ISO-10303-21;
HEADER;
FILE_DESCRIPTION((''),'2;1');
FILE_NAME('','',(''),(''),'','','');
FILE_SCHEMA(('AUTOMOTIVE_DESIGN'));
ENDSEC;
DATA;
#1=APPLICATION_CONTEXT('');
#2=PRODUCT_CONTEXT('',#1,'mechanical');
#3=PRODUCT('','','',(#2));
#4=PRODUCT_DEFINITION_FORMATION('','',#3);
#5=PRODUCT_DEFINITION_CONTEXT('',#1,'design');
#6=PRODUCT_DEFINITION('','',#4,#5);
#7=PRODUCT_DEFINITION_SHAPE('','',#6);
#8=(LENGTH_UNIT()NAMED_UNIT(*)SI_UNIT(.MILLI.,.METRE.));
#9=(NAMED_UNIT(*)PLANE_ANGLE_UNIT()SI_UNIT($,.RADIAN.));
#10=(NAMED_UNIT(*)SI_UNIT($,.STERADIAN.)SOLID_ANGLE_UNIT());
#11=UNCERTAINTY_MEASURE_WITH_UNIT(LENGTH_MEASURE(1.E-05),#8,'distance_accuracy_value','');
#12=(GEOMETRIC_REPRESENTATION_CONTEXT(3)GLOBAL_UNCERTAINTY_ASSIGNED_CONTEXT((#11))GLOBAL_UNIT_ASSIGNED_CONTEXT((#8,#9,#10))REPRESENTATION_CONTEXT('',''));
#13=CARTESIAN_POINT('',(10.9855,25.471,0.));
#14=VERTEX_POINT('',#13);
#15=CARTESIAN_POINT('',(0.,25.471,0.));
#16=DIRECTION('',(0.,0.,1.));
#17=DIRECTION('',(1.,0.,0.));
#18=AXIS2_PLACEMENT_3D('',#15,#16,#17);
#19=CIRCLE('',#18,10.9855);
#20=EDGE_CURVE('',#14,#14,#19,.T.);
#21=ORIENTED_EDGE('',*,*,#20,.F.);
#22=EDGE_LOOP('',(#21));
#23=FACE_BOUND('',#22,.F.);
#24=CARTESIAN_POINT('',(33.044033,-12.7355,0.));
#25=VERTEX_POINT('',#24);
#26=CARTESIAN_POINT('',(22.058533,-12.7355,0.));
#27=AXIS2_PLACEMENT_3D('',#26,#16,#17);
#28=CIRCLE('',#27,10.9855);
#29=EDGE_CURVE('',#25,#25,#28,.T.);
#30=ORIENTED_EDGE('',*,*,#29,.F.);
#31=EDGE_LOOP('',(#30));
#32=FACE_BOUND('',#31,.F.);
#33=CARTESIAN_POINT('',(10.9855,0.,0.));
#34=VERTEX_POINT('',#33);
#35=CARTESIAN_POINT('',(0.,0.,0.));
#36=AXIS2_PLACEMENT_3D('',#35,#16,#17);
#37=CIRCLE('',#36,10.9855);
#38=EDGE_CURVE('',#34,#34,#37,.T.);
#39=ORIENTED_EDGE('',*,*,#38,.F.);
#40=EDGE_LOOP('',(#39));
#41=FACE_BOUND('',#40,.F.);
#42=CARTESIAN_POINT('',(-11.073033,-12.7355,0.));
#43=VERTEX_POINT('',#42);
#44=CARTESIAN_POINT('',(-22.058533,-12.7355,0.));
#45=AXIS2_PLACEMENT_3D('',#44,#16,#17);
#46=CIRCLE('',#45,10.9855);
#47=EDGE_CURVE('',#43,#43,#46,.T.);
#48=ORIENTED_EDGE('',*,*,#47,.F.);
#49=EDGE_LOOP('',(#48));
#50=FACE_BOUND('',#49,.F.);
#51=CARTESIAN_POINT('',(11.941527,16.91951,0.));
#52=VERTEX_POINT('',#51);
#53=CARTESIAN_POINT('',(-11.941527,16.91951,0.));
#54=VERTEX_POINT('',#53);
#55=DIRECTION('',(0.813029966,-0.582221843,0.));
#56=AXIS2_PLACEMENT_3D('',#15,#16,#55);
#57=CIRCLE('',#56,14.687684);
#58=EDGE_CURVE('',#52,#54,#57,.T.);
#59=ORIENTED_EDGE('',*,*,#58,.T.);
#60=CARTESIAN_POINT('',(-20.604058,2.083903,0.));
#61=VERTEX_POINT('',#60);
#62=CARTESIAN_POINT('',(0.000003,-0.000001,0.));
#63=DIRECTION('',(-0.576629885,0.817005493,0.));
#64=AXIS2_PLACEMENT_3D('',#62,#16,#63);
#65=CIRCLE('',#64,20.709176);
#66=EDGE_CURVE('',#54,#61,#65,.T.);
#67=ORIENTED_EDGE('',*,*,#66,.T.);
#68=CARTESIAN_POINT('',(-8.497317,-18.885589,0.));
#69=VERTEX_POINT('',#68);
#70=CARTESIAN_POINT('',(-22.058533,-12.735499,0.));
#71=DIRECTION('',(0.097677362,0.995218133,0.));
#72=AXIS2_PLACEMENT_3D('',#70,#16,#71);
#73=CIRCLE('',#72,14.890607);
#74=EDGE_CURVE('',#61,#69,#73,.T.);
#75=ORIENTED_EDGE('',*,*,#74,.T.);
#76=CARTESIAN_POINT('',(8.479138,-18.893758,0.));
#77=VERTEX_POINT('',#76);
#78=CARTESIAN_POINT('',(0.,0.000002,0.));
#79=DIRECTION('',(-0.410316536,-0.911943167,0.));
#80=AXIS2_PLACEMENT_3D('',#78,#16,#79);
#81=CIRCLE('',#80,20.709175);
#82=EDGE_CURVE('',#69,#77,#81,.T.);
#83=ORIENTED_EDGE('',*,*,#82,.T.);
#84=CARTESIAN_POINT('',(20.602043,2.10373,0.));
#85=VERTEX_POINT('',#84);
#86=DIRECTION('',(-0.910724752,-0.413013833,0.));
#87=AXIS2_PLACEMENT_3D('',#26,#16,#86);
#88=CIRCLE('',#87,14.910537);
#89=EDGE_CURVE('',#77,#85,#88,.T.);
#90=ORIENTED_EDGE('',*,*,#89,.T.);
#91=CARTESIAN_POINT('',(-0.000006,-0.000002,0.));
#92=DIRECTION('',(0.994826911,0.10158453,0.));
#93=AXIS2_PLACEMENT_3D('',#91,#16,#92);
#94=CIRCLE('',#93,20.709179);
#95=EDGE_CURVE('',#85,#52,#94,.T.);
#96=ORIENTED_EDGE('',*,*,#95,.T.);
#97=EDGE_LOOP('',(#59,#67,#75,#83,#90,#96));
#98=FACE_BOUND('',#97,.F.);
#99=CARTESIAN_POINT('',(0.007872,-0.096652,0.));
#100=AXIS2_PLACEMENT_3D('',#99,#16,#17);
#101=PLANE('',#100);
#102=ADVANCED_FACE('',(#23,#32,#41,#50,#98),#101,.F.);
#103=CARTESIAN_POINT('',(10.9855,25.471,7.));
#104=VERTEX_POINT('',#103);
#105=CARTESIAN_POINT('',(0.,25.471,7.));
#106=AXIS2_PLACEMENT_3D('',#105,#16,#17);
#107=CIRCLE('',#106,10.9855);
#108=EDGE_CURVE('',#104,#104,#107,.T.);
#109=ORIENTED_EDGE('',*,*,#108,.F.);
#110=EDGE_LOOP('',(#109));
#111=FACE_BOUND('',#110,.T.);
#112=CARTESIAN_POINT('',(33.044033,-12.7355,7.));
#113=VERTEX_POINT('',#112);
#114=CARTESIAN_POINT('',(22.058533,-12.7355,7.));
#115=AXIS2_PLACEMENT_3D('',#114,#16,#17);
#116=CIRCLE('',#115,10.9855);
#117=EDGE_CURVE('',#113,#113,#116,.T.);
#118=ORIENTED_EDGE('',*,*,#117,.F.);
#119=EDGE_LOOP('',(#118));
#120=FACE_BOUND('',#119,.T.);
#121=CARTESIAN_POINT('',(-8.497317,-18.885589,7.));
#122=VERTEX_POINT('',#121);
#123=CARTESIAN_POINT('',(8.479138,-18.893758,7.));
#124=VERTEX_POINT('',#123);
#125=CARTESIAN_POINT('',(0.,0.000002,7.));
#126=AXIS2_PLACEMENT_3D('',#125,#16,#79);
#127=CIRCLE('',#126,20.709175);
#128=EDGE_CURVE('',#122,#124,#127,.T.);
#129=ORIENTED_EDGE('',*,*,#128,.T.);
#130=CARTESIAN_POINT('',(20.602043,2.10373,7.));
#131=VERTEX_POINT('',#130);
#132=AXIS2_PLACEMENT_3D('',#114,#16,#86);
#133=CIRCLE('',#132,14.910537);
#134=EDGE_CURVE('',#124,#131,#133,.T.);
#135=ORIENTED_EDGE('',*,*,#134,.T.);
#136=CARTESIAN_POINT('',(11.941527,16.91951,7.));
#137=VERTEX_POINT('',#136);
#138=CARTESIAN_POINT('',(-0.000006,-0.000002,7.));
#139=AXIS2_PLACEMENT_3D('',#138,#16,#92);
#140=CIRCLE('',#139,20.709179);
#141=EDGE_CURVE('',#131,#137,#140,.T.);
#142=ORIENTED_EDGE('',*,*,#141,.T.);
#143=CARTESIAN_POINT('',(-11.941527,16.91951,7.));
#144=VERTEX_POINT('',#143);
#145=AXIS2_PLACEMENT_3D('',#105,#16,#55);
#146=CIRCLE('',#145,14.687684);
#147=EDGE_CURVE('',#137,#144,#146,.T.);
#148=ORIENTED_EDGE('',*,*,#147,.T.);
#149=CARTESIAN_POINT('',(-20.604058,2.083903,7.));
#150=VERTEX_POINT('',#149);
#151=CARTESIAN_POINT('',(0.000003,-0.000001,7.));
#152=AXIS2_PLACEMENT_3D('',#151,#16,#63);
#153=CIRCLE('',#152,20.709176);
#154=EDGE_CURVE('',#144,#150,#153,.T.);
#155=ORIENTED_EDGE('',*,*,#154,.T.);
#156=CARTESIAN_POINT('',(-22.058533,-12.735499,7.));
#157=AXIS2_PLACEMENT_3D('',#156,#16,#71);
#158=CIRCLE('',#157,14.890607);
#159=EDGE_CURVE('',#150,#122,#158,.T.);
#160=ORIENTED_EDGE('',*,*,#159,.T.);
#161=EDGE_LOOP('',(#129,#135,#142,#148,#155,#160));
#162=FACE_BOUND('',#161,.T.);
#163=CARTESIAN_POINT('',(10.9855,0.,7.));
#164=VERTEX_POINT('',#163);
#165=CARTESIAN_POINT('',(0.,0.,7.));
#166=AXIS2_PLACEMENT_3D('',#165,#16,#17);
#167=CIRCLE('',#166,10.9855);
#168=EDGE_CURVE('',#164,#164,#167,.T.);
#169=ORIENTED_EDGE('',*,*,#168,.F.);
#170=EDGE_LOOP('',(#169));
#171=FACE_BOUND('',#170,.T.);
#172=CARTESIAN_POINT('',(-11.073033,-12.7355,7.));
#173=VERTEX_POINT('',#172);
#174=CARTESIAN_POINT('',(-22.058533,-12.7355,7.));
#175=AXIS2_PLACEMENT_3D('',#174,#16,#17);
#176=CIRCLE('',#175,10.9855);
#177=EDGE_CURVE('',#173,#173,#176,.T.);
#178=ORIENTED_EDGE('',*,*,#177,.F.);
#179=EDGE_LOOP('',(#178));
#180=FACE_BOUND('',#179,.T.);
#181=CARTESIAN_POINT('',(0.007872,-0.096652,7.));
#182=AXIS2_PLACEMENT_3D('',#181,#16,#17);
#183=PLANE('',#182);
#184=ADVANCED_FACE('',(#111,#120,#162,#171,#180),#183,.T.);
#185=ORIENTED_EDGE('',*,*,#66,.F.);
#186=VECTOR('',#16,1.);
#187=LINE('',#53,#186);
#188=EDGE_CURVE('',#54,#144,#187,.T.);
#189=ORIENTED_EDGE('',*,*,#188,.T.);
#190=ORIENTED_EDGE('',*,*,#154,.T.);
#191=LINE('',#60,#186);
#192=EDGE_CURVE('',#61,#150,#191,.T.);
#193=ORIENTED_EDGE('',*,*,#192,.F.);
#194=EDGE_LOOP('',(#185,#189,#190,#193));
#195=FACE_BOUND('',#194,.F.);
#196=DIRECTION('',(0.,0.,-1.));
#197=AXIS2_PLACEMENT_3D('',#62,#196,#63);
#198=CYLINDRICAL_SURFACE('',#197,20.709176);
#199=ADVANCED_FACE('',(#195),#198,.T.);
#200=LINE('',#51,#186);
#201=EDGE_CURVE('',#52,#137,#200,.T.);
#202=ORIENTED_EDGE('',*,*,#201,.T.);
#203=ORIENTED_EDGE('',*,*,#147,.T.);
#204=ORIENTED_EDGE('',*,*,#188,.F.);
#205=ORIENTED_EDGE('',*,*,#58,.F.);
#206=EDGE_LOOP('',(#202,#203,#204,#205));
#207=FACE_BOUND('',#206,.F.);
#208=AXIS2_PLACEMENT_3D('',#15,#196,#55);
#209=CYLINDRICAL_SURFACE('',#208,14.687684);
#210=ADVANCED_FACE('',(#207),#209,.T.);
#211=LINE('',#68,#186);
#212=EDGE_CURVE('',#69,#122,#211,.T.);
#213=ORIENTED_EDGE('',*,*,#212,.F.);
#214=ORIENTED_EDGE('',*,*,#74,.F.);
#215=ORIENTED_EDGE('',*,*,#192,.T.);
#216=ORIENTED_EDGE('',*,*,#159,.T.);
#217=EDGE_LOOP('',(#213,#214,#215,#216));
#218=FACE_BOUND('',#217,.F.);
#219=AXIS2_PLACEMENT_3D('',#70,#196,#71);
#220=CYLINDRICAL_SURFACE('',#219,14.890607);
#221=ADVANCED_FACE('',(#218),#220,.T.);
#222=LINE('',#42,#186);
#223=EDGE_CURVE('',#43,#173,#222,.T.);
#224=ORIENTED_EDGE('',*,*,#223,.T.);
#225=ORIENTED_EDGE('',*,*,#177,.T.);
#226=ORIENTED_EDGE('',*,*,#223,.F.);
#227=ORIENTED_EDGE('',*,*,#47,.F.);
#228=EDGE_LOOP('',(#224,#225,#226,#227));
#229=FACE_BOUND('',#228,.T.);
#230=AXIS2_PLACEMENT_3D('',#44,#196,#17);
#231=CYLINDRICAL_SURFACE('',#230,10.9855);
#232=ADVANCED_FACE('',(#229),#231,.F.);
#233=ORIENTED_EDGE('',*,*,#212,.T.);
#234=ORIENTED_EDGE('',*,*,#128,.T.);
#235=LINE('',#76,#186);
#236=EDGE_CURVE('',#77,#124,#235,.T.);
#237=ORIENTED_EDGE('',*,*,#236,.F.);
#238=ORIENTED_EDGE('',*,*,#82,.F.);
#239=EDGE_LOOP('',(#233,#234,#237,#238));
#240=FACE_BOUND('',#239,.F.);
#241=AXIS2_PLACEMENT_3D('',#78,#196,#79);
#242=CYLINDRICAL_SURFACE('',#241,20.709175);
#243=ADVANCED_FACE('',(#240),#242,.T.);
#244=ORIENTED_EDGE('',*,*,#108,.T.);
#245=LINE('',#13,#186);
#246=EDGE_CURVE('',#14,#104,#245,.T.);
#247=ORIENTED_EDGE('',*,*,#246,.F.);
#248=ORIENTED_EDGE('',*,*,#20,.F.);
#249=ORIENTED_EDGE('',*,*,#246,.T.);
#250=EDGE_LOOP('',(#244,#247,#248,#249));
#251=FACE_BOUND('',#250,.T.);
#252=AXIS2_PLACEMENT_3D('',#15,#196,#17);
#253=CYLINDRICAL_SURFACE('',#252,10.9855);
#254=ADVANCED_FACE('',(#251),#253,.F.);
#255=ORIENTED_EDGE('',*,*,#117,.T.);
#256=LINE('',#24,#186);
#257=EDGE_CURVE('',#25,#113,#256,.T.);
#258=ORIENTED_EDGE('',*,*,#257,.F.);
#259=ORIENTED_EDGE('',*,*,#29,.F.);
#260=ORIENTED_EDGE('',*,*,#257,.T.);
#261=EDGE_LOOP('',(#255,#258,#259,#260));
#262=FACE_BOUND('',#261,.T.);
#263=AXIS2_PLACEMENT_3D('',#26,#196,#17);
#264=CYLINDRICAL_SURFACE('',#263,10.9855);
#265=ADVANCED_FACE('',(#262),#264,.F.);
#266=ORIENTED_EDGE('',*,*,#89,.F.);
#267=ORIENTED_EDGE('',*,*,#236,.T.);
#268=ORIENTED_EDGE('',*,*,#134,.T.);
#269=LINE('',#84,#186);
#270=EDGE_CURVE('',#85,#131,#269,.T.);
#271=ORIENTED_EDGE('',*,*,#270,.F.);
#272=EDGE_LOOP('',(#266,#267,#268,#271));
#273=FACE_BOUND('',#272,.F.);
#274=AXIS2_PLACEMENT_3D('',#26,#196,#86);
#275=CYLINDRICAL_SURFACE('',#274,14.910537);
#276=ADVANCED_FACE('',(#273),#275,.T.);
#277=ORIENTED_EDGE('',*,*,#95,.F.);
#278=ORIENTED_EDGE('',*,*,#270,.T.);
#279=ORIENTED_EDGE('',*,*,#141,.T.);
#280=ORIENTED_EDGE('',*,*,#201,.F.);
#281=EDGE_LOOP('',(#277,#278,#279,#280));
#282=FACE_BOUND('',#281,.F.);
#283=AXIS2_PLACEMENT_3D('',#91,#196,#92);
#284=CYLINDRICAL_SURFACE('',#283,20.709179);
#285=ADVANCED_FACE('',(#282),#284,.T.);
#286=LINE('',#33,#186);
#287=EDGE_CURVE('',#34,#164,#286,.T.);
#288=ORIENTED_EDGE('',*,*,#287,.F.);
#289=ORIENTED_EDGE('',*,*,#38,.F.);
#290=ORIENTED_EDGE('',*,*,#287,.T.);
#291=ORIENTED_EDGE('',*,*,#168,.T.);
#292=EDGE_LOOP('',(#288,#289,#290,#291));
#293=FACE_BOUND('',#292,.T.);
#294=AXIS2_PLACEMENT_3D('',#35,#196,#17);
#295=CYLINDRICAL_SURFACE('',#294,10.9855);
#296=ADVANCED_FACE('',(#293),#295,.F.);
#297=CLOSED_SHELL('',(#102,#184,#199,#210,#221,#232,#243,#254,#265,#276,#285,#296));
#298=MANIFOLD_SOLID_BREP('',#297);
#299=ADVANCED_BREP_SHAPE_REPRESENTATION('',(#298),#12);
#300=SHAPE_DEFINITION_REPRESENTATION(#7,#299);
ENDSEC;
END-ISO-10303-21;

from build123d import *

# Parameters (mm, degrees)
F0_R     = 10.9855
F1_DEPTH = 7


with BuildPart() as f1:
    # F0 (on Top) → F1 (new body)
    with BuildSketch(Plane.XY):
        with BuildLine():
            ThreePointArc((11.941527, 16.91951), (0, 40.158684), (-11.941527, 16.91951))
            ThreePointArc((-11.941527, 16.91951), (-17.883724, 10.442331), (-20.604058, 2.083903))
            ThreePointArc((-20.604058, 2.083903), (-34.954177, -20.180804), (-8.497317, -18.885589))
            ThreePointArc((-8.497317, -18.885589), (-0.009965, -20.709171), (8.479138, -18.893758))
            ThreePointArc((8.479138, -18.893758), (34.971437, -20.190768), (20.602043, 2.10373))
            ThreePointArc((20.602043, 2.10373), (17.878697, 10.450935), (11.941527, 16.91951))
        make_face()
        with Locations((-22.058533, -12.7355)):
            Circle(F0_R, mode=Mode.SUBTRACT)
        Circle(F0_R, mode=Mode.SUBTRACT)
        with Locations((22.058533, -12.7355)):
            Circle(F0_R, mode=Mode.SUBTRACT)
        with Locations((0, 25.471)):
            Circle(F0_R, mode=Mode.SUBTRACT)
    extrude(amount=F1_DEPTH)


solid = f1.part
